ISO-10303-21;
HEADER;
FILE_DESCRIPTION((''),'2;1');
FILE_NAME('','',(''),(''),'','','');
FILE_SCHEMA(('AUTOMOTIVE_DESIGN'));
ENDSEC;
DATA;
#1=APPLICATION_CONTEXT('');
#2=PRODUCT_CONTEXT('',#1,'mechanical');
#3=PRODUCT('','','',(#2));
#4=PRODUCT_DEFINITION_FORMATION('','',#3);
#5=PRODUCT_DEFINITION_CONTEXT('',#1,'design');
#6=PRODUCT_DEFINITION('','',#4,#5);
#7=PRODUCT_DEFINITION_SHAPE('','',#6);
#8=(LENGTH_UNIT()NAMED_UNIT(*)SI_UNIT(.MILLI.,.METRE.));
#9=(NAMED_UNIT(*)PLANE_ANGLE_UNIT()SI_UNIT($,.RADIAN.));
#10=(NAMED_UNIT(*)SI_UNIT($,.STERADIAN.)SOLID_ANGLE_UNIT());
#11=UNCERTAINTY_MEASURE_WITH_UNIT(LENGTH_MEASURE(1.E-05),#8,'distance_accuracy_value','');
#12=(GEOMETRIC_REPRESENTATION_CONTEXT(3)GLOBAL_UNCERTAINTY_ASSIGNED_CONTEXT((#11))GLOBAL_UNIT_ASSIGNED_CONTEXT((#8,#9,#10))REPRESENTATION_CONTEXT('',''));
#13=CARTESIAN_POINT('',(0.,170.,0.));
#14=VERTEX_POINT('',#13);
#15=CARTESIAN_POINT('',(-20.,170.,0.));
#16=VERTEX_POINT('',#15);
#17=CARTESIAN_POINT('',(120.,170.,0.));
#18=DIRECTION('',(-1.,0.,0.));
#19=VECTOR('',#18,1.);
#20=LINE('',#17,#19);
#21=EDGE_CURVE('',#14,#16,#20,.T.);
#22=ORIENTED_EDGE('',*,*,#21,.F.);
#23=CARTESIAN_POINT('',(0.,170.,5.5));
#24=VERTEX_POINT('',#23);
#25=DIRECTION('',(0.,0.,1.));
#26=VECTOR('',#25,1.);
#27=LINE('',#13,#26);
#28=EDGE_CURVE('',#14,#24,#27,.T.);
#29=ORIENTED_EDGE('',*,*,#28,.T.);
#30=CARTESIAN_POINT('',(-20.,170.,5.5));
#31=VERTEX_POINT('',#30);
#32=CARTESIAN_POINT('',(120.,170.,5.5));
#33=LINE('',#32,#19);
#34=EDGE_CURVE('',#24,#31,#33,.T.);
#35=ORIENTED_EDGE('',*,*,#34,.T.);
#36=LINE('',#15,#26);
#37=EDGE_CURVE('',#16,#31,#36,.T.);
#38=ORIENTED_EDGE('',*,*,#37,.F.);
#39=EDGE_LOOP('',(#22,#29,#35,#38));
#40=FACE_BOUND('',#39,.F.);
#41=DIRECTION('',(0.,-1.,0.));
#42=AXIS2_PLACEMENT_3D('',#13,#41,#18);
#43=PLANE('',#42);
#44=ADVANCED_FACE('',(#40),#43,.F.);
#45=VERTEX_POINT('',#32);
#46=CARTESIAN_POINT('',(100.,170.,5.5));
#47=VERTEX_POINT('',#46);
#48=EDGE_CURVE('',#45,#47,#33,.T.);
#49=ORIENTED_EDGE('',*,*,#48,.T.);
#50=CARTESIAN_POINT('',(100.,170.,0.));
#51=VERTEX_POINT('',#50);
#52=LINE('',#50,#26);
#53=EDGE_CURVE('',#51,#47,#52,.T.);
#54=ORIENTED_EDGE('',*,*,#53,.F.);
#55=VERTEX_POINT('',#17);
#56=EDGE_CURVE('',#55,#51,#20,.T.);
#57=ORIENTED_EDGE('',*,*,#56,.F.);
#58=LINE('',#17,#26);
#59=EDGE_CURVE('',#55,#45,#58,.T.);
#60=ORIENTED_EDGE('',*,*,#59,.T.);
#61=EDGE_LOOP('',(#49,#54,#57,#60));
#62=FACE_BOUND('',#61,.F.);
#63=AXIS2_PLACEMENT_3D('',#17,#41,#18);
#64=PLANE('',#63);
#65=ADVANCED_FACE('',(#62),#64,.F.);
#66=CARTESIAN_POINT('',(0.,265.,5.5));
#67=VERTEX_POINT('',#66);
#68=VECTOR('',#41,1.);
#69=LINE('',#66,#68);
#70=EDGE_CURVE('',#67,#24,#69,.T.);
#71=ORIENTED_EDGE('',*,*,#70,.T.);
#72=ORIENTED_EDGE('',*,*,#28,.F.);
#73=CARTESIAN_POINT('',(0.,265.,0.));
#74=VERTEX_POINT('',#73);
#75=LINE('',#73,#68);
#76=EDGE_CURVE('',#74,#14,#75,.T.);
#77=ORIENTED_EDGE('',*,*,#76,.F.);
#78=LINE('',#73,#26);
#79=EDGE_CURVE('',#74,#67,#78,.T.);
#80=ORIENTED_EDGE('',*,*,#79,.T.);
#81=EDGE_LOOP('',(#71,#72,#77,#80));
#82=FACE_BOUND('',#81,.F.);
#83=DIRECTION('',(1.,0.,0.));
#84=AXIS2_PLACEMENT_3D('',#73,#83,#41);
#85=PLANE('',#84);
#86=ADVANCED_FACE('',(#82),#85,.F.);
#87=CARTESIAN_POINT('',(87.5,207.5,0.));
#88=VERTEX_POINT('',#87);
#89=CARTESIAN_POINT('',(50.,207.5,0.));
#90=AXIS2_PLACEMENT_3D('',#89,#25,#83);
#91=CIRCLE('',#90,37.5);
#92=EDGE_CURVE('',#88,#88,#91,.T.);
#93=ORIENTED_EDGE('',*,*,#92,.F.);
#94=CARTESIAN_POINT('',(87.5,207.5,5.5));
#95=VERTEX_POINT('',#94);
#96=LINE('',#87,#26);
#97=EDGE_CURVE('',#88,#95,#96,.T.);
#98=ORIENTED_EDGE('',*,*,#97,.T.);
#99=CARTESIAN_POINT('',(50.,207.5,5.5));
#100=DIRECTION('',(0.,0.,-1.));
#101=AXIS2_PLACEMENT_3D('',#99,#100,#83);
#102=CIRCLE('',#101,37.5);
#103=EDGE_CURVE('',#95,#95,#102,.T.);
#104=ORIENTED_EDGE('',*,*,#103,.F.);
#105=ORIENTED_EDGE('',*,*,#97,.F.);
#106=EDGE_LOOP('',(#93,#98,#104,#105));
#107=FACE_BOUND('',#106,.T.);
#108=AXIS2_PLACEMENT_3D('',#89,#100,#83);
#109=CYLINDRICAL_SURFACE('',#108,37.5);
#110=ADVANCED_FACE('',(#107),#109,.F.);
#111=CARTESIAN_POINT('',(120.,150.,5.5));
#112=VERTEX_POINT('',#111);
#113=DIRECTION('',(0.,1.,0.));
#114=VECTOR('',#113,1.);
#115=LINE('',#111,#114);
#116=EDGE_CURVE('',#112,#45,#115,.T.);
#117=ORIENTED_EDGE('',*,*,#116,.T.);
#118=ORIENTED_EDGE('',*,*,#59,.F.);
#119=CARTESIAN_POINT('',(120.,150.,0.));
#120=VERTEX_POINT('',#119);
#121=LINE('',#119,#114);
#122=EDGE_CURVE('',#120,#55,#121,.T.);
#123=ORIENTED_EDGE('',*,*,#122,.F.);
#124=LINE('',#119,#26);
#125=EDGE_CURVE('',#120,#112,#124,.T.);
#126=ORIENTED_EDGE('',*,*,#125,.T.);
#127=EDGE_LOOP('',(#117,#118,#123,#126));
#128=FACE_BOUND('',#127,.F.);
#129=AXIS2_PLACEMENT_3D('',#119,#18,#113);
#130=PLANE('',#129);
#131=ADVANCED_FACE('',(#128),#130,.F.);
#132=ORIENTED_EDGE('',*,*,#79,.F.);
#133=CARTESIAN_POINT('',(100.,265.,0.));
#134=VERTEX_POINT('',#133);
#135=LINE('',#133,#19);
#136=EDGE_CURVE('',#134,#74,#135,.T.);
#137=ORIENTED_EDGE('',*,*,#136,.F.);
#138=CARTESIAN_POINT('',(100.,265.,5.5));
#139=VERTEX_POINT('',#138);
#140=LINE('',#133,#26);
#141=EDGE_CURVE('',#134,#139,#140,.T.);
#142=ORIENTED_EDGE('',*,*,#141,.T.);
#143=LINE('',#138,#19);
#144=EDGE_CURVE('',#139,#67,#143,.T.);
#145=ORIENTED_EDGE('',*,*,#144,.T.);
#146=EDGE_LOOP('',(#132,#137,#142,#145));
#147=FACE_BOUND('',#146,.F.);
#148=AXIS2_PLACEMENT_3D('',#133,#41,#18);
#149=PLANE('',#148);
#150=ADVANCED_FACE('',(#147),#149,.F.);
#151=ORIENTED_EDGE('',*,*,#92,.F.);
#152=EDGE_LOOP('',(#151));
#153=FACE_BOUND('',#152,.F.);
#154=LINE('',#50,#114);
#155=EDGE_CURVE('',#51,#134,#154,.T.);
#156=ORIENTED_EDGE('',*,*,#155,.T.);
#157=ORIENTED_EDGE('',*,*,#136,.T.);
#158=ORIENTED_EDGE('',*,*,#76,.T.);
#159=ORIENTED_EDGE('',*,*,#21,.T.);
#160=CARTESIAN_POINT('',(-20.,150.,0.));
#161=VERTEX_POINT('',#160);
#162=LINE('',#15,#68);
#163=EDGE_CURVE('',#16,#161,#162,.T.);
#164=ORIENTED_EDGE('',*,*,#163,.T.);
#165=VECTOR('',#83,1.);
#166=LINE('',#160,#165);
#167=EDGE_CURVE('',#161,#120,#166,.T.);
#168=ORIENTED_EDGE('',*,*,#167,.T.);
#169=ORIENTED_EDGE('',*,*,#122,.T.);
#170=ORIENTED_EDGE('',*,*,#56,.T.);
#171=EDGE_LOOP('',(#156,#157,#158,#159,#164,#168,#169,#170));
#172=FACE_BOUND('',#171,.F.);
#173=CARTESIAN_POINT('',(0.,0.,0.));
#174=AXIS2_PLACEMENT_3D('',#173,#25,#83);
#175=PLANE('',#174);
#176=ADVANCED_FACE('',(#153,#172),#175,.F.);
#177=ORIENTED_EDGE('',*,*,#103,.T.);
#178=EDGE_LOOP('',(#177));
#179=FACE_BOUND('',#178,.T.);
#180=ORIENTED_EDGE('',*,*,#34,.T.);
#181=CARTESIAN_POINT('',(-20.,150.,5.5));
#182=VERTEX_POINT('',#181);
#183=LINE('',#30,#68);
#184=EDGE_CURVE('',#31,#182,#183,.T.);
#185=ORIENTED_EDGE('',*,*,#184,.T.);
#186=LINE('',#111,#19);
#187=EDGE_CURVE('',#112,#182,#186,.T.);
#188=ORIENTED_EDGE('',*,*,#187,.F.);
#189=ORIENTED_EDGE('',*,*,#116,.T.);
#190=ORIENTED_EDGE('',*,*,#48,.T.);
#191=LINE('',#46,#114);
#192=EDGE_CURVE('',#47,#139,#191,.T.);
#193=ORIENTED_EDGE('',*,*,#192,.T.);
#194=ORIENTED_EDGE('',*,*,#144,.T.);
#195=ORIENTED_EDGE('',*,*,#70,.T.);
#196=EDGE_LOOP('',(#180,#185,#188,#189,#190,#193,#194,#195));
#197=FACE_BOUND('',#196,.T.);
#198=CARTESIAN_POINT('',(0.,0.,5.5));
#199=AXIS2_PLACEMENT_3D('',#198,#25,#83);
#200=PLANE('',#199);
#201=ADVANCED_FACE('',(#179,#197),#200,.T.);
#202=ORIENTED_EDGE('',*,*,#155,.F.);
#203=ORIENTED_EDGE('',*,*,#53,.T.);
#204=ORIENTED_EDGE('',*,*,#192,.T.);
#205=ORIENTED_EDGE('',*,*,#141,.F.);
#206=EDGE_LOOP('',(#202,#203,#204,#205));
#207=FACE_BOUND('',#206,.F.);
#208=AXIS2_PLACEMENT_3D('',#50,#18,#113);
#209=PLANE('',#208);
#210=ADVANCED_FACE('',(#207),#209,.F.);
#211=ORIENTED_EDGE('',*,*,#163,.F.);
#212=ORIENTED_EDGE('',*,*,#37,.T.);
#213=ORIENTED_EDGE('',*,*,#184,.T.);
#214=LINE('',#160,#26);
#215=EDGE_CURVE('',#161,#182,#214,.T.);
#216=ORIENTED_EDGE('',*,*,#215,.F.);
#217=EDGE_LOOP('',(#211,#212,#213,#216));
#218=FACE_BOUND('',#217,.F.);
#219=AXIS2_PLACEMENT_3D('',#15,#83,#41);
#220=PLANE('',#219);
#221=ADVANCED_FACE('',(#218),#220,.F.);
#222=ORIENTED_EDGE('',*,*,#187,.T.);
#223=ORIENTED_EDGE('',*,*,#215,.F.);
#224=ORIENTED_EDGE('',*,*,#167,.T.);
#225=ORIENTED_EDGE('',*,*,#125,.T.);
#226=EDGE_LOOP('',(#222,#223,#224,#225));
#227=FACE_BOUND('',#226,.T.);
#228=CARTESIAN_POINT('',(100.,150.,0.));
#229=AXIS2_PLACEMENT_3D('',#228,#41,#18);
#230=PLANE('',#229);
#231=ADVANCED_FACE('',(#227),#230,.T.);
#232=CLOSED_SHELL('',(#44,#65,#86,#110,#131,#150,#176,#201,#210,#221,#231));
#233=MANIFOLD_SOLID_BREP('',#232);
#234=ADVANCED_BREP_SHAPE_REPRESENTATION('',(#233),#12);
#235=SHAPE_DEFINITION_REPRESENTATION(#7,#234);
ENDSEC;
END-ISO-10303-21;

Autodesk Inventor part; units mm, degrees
ref_plane "YZ Plane" through (0, 0, 0) normal (1, 0, 0) x (0, 1, 0)
ref_plane "XZ Plane" through (0, 0, 0) normal (0, 1, 0) x (-1, 0, 0)
ref_plane "XY Plane" through (0, 0, 0) normal (0, 0, 1) x (1, 0, 0)
sketch "Sketch1" plane through (0, 0, 0) normal (0, 0, 1) x (1, 0, 0)
  line L0 (100, 150) -> (0, 150)
  circle A0 centre (50, 207.5) radius 37.5
  line L1 (120, 170) -> (-20, 170)
  line L2 (0, 170) -> (100, 170)
  line L3 (100, 170) -> (100, 265)
  line L4 (100, 265) -> (0, 265)
  line L5 (0, 265) -> (0, 170)
  line L6 (-20, 170) -> (-20, 150)
  line L7 (-20, 150) -> (0, 150)
  line L8 (100, 150) -> (120, 150)
  line L9 (120, 150) -> (120, 170)
  point P0 (0, 0)
  dimension "d0" = 75
  dimension "d1" = 140
  dimension "d2" = 95
extrude "Extrusion1" add sketch "Sketch1" along normal blind 5.5
properties part number "anillo2"
